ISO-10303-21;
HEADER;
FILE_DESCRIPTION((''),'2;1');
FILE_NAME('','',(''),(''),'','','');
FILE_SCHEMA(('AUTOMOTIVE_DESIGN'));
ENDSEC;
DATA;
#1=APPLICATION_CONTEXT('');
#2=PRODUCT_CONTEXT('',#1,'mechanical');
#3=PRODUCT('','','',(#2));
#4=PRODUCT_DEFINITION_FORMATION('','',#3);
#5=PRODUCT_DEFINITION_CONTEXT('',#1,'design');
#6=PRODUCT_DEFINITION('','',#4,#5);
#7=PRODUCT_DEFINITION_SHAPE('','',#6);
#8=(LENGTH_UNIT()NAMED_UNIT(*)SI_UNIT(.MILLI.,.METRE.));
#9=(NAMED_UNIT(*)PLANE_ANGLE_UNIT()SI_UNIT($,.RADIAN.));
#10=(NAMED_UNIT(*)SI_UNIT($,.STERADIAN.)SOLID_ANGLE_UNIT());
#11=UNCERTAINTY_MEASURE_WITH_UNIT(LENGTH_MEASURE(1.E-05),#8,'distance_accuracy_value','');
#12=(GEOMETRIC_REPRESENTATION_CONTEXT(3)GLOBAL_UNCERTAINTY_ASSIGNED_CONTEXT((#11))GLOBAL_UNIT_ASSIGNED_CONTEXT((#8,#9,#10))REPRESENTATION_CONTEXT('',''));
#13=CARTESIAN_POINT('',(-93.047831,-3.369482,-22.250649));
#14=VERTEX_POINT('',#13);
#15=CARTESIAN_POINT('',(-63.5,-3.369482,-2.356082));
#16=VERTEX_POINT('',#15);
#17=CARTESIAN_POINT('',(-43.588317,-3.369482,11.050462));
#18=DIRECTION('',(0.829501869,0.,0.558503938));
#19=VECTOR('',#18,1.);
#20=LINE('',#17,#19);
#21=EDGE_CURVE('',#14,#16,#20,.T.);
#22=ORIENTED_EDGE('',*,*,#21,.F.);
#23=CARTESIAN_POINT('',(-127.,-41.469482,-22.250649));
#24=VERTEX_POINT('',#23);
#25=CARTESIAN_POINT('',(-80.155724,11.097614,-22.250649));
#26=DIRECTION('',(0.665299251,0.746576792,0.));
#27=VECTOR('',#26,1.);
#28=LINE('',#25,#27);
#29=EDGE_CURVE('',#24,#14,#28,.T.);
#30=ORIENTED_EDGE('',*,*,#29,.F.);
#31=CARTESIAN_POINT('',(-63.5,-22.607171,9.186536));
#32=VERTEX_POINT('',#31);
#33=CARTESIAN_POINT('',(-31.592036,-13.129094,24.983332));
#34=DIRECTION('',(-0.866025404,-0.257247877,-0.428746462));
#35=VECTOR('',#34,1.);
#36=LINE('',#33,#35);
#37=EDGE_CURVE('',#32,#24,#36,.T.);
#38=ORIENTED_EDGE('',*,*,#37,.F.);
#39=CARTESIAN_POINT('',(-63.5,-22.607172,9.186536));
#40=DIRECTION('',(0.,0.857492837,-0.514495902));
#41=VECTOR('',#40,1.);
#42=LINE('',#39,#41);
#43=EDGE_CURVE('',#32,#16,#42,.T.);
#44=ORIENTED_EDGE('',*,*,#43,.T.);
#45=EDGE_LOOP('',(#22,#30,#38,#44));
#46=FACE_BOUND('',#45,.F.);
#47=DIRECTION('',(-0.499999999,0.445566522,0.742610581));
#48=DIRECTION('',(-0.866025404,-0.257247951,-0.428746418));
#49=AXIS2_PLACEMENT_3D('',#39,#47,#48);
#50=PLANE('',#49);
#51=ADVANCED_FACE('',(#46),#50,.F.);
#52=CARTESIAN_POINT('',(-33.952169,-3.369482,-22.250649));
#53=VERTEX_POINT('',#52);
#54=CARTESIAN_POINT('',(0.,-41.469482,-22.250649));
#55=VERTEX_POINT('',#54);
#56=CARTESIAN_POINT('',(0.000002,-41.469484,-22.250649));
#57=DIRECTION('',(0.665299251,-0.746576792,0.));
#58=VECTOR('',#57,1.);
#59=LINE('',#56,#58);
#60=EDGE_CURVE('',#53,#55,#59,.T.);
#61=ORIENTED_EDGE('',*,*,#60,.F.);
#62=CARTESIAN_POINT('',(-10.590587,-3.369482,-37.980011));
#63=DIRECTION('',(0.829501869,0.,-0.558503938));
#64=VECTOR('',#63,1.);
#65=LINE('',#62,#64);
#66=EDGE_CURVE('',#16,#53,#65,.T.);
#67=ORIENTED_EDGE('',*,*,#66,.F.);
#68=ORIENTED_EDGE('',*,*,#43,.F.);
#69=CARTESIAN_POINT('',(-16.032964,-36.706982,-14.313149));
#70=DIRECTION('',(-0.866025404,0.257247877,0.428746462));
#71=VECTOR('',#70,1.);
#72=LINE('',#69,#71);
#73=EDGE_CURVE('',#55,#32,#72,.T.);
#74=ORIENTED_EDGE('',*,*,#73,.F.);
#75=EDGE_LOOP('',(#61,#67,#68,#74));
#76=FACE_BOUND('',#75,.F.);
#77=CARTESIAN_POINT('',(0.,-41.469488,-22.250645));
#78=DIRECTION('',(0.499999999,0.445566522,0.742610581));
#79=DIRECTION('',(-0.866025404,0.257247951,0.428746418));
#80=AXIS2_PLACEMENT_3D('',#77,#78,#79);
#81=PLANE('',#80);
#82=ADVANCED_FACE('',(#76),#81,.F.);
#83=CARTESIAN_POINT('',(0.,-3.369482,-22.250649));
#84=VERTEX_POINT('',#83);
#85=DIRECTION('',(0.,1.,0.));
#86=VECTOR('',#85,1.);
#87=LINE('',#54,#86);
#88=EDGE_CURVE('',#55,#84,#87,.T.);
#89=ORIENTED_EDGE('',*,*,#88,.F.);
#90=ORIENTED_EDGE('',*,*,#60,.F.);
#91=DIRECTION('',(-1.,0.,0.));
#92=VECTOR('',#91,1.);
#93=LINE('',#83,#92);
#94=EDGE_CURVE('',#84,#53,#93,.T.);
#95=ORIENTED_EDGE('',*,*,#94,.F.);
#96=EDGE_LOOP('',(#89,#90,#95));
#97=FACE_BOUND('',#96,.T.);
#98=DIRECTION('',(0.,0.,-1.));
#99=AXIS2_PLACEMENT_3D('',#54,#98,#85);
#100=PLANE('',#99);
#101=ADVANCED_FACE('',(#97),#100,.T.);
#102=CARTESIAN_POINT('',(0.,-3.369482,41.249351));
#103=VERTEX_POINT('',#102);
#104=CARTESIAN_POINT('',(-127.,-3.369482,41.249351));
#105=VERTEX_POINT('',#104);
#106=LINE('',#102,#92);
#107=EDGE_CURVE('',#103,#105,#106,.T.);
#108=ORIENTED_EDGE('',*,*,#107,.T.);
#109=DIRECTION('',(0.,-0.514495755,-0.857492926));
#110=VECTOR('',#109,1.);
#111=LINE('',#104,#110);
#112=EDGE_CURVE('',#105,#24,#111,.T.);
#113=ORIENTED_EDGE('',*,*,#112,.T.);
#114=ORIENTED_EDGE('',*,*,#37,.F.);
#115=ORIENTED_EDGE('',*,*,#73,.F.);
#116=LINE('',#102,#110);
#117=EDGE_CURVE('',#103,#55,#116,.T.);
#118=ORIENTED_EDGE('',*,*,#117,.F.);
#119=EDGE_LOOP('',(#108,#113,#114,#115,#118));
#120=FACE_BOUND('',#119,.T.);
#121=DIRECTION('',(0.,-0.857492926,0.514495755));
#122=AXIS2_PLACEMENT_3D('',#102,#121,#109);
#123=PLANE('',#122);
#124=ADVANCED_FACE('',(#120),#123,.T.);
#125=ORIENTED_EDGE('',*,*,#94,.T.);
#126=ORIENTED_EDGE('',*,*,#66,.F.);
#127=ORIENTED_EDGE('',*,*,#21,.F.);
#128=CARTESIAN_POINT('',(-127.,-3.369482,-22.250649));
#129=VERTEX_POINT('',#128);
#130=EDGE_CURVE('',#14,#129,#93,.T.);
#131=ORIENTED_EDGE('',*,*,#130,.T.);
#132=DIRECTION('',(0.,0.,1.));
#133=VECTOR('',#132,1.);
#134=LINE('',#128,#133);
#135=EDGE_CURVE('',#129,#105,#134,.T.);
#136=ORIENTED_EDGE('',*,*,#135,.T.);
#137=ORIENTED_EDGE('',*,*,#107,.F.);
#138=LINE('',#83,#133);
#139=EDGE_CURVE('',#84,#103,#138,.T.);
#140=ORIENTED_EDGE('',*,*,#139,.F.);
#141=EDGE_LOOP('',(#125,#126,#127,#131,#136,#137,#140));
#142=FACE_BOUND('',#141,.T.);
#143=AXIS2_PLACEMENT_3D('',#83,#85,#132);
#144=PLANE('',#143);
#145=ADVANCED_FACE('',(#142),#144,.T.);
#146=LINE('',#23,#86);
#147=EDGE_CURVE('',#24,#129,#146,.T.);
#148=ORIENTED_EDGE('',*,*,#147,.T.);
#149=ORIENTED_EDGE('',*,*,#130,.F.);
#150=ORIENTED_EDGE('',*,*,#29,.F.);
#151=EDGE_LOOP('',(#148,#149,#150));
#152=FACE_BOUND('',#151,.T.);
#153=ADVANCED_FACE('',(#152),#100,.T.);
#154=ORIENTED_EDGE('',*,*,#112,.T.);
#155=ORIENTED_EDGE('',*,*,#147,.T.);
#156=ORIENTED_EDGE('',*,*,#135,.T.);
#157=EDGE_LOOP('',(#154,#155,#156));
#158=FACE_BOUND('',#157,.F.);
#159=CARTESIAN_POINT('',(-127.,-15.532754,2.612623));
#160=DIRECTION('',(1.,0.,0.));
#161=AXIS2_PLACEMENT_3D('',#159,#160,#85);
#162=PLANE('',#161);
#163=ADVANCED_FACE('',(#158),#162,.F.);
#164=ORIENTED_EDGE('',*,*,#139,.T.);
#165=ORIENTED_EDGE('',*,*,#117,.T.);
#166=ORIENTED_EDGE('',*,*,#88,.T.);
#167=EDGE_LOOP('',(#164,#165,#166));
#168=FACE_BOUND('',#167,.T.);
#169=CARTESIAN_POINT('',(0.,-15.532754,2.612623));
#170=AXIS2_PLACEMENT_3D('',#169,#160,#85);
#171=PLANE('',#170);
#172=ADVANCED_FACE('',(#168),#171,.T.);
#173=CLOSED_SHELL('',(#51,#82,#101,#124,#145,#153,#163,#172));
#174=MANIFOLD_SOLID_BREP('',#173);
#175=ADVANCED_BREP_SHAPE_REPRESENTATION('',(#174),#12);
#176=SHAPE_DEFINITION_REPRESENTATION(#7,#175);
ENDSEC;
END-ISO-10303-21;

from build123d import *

# Parameters (mm, degrees)
F1_DEPTH = 127
F3_DEPTH = 32.67148


with BuildPart() as f1:
    # F0 (on Right) → F1 (new body)
    with BuildSketch(Plane.YZ):
        Polygon((-3.369482, -22.250649), (-3.369482, 41.249351), (-41.469482, -22.250649), align=None)
    extrude(amount=-F1_DEPTH)

    # F2 (on face) → F3 (cut, through all)
    with BuildSketch(Plane(origin=(0, -20.675804, 12.405482), x_dir=(1, 0, 0), z_dir=(0, -0.857493, 0.514496))):
        Polygon((-127, -40.415646), (0, -40.415646), (-63.5, -3.753904), align=None)
    extrude(amount=-F3_DEPTH, mode=Mode.SUBTRACT)


solid = f1.part
